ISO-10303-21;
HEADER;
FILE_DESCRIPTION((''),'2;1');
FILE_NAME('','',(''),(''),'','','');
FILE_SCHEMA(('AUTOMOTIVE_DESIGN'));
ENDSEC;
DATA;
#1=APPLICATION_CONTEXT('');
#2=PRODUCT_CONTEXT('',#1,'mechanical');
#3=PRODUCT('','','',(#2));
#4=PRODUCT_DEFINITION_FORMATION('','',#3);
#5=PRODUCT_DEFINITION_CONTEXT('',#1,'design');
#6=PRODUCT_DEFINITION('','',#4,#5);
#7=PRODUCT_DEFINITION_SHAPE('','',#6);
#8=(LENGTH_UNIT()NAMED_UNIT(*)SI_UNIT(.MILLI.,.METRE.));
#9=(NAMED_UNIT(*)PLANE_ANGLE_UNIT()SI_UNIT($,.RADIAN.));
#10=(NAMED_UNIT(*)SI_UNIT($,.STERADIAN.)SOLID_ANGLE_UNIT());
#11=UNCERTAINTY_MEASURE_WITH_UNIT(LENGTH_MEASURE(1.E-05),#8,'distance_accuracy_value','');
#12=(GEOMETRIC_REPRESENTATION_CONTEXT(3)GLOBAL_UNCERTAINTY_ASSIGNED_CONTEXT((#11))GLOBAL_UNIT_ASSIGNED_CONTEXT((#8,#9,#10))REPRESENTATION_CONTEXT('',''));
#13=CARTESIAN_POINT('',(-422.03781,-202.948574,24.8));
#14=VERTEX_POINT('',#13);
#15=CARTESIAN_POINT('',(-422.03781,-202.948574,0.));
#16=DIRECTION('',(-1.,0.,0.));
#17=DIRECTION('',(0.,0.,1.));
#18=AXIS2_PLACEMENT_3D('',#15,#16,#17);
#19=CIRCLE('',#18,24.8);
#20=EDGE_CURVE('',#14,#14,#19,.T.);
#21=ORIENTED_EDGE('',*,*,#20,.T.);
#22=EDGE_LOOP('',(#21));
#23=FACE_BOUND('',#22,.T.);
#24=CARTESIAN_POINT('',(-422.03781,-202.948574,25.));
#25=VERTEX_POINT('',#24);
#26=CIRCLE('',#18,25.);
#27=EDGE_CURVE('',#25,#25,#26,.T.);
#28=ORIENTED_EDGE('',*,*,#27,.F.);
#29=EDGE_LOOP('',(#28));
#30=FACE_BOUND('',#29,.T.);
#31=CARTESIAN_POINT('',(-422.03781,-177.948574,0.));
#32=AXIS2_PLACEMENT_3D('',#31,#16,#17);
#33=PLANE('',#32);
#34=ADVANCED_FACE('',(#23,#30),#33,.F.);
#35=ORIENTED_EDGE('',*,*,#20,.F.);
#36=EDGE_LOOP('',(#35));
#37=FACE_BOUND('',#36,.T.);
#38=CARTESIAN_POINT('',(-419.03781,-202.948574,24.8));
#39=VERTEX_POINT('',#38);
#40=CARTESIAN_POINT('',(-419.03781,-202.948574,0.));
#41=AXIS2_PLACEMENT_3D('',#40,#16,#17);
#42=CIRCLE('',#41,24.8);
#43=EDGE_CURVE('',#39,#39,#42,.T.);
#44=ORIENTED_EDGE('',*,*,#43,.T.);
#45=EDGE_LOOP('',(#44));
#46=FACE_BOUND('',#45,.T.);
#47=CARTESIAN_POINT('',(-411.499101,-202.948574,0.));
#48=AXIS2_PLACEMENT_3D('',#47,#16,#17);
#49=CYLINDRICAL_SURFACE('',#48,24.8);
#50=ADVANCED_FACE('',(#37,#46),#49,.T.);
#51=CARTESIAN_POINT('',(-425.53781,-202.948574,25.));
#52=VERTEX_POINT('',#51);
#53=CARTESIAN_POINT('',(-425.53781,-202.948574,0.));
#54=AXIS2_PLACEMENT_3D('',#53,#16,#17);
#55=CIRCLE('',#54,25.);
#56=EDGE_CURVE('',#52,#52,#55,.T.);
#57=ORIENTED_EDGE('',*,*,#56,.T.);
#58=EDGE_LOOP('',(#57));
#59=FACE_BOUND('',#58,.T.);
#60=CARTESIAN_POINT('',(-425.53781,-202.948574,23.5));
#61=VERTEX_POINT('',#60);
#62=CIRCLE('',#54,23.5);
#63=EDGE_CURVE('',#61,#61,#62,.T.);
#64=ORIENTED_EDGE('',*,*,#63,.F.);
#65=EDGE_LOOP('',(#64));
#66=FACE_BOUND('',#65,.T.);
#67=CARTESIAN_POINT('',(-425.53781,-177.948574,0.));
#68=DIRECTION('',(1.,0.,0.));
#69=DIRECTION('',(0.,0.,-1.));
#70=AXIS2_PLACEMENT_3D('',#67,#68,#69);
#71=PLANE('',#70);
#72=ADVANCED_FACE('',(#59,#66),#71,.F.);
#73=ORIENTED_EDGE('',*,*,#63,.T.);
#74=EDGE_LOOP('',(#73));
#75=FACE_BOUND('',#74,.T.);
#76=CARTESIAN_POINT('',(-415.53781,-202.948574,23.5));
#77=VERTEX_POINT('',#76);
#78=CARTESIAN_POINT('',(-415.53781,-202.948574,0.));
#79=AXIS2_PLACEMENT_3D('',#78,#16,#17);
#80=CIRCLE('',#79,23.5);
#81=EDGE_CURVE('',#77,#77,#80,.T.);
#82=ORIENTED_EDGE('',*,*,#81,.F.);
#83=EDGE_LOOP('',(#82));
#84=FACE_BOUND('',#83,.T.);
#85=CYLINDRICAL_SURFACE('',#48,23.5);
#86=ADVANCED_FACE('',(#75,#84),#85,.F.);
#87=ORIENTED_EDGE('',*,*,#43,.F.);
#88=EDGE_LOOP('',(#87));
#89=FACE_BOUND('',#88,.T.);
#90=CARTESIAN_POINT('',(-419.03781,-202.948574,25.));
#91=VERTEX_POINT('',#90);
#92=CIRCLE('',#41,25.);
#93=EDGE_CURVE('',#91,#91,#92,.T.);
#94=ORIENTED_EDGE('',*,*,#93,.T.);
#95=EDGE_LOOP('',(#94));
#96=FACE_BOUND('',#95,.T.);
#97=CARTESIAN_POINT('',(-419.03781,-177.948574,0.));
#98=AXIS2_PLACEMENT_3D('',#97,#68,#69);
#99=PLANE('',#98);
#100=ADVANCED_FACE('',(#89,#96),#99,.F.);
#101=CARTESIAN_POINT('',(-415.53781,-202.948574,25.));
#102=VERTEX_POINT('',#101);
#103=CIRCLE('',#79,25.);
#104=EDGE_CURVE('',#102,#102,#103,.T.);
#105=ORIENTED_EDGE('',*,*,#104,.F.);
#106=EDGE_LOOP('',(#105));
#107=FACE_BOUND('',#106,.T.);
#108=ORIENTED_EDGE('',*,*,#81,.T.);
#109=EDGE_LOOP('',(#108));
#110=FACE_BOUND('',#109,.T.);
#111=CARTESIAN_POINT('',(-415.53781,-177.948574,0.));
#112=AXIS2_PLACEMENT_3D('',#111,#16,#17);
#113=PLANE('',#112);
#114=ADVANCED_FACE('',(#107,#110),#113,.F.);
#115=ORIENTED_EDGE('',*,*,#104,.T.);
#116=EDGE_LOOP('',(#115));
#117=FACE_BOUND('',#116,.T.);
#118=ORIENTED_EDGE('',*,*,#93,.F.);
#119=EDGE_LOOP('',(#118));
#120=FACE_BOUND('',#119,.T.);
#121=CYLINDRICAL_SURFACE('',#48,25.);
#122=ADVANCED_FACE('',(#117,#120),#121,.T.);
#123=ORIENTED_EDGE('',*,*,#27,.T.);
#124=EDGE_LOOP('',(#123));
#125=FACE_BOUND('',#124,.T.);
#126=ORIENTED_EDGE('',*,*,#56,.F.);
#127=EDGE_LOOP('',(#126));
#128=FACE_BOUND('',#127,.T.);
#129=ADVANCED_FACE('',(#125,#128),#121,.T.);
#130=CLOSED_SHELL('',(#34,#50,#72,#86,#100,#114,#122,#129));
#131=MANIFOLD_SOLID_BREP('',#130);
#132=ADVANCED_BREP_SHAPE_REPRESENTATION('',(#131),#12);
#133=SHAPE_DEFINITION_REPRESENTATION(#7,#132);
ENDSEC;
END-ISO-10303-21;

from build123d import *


with BuildPart() as part:
    # Szkic2 → Obrót1 (revolve)
    with BuildSketch(Plane.XY, mode=Mode.PRIVATE) as obr_t1_sk:
        Polygon((-425.537809827, -177.948573753), (-422.037809827, -177.948573753), (-422.037809827, -178.148573753), (-419.037809827, -178.148573753), (-419.037809827, -177.948573753), (-415.537809827, -177.948573753), (-415.537809827, -179.448573753), (-425.537809827, -179.448573753), align=None)
    revolve(obr_t1_sk.sketch.rotate(Axis((-411.49910078, -202.948573753, 0), (1, 0, 0)), 90), axis=Axis((-411.49910078, -202.948573753, 0), (1, 0, 0)))


solid = part.part
